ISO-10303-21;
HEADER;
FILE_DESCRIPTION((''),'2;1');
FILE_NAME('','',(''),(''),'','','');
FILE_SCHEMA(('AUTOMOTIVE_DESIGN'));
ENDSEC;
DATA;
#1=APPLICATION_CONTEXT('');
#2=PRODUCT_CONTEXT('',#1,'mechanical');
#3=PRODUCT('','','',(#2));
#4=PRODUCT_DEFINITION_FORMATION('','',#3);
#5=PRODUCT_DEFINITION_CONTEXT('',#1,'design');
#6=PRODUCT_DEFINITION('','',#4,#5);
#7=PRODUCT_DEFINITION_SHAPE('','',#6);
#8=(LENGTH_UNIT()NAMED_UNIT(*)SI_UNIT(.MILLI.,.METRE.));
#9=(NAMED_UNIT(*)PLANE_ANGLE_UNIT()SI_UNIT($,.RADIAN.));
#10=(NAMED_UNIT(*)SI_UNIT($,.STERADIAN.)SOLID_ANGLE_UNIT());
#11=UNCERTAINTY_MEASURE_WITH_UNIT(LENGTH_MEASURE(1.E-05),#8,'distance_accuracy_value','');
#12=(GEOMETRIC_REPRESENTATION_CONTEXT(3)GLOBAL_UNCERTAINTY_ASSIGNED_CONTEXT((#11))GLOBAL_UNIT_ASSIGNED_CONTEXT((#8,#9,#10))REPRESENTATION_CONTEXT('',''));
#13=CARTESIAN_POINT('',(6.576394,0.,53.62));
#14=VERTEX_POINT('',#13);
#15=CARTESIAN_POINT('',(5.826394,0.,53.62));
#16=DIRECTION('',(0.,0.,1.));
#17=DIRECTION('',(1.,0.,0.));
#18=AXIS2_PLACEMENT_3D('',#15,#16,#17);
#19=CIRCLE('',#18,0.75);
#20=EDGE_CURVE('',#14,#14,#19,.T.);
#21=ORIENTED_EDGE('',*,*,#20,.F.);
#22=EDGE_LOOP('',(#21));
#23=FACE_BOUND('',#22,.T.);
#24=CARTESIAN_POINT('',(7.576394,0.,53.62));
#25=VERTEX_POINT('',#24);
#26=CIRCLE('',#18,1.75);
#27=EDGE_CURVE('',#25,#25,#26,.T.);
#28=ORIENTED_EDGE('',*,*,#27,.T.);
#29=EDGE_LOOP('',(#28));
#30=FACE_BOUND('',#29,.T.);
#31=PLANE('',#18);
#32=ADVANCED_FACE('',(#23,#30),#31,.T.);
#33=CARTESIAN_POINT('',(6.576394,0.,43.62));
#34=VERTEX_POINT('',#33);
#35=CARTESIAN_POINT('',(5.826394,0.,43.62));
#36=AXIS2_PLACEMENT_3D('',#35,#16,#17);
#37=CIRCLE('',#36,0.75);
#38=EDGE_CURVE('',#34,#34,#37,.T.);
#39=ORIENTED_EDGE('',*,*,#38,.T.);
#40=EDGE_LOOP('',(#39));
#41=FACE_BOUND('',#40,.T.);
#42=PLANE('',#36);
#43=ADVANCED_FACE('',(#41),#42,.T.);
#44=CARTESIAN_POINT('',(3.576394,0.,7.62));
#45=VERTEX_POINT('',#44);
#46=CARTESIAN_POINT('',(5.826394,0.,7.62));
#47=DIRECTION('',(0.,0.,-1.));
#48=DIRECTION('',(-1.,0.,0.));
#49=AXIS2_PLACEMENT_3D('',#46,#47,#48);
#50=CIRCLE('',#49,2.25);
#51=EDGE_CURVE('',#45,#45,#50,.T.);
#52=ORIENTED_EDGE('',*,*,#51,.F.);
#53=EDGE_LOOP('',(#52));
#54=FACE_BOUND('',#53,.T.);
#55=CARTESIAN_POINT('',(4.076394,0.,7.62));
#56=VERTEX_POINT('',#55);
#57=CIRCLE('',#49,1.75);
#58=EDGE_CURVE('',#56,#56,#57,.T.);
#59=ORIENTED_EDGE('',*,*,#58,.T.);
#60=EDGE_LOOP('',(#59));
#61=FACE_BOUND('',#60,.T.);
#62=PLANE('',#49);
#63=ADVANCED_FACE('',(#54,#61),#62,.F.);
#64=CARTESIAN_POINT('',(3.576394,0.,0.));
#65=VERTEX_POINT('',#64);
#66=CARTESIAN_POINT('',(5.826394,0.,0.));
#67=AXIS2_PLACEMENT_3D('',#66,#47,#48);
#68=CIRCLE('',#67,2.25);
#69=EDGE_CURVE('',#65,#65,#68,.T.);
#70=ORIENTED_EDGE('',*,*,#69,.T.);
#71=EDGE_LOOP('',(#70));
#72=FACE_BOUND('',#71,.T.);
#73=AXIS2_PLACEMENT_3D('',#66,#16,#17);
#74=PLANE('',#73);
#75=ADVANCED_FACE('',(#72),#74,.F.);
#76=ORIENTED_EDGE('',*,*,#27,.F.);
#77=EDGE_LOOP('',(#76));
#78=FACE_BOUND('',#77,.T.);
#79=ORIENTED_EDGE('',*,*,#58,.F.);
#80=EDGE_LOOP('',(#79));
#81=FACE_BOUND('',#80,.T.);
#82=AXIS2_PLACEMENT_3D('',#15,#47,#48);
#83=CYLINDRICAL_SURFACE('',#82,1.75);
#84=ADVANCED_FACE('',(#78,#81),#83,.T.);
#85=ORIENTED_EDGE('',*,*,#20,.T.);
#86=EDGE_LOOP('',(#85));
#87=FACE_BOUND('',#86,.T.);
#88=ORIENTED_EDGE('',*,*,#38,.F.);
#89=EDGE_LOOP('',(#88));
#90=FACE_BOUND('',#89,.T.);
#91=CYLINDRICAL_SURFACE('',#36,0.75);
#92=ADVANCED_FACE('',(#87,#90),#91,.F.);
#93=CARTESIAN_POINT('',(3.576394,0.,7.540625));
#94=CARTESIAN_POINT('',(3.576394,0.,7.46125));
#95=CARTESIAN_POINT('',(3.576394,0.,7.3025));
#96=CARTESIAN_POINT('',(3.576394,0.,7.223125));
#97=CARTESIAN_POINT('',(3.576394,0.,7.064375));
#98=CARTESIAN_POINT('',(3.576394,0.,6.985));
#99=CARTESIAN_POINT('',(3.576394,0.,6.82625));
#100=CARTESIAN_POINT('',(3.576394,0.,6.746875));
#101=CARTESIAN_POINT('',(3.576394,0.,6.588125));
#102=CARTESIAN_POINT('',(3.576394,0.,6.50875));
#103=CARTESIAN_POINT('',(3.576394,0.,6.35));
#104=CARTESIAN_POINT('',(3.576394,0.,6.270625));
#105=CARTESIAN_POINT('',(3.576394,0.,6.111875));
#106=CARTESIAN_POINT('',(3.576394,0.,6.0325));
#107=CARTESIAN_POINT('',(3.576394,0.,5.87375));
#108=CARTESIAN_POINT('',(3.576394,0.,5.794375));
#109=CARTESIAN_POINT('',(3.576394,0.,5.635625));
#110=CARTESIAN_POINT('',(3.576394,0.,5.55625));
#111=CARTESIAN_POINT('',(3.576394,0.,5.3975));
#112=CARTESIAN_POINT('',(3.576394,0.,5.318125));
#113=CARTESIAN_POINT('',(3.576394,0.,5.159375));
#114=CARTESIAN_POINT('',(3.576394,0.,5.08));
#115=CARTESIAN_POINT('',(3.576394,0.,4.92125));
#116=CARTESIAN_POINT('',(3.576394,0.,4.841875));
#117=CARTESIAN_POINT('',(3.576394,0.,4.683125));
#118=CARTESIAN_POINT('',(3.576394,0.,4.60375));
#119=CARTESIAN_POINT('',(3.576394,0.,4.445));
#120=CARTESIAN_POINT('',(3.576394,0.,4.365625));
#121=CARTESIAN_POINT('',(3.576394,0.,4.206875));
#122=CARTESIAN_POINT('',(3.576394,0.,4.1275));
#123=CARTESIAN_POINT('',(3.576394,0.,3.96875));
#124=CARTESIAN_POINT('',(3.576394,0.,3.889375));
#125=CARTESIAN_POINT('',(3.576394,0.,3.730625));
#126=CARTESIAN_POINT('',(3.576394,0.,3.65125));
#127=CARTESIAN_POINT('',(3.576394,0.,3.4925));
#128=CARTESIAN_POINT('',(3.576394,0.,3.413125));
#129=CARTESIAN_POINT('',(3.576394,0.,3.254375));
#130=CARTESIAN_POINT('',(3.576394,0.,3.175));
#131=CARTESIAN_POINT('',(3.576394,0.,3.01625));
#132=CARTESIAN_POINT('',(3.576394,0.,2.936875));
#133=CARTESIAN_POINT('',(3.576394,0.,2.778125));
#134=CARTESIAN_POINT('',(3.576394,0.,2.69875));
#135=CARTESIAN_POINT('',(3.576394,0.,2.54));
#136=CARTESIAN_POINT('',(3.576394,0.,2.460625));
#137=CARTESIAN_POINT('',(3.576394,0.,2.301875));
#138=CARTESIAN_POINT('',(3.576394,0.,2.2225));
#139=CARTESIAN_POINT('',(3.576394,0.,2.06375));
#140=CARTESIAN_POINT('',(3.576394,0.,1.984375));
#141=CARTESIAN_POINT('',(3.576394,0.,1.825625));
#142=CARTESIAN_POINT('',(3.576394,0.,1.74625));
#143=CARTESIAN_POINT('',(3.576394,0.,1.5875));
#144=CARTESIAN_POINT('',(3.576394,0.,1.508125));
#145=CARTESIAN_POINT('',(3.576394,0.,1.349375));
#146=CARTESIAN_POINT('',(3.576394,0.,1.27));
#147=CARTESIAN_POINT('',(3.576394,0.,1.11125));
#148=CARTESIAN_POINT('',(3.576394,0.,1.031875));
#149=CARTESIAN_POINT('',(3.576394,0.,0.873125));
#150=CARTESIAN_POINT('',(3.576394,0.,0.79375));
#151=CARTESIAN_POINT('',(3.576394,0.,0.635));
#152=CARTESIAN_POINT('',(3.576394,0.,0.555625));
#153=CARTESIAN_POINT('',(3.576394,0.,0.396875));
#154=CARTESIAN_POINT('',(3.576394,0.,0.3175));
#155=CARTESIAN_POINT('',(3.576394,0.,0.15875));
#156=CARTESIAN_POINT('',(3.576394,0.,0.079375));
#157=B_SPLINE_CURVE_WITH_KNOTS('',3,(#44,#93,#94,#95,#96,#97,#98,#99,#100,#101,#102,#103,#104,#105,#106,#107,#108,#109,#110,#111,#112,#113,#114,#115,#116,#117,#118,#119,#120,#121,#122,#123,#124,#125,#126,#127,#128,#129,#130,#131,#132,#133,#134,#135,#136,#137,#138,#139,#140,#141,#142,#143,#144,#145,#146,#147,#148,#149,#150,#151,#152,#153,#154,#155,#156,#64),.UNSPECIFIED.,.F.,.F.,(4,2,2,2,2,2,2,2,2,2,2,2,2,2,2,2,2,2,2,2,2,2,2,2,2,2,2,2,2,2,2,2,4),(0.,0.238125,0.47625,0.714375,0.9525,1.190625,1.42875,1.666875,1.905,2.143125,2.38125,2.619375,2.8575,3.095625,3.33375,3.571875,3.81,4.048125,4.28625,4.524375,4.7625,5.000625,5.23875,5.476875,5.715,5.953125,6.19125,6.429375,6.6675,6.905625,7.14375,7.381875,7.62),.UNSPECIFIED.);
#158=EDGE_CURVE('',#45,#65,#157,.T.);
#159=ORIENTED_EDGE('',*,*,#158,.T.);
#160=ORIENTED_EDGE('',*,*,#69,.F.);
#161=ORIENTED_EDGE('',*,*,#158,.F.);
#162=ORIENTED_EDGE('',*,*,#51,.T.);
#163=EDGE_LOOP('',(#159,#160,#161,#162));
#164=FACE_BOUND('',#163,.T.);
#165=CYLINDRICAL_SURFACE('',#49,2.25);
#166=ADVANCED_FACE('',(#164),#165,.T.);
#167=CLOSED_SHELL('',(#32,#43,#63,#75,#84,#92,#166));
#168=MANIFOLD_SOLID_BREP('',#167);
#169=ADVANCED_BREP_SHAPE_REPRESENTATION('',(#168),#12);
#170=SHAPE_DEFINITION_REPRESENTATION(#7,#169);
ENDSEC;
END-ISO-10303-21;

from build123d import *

# Parameters (mm, degrees)
SKETCH1_R           = 1.75
BOSS_EXTRUDE1_DEPTH = 53.62
SKETCH3_R           = 0.75
CUT_EXTRUDE1_DEPTH  = 10
SKETCH4_R           = 2.25
BOSS_EXTRUDE2_DEPTH = 7.62


with BuildPart() as part:
    # Sketch1 → Boss-Extrude1 (new body)
    with BuildSketch(Plane.XY):
        with Locations((5.826393973, 0)):
            Circle(SKETCH1_R)
    extrude(amount=BOSS_EXTRUDE1_DEPTH)

    # Sketch3 → Cut-Extrude1 (cut)
    with BuildSketch(Plane.XY.offset(53.62)):
        with Locations((5.826393973, 0)):
            Circle(SKETCH3_R)
    extrude(amount=-CUT_EXTRUDE1_DEPTH, mode=Mode.SUBTRACT)

    # Sketch4 → Boss-Extrude2 (add)
    with BuildSketch(Plane(origin=(0, 0, 0), x_dir=(-1, 0, 0), z_dir=(0, 0, -1))):
        with Locations((-5.826393973, 0)):
            Circle(SKETCH4_R)
    extrude(amount=-BOSS_EXTRUDE2_DEPTH)


solid = part.part
